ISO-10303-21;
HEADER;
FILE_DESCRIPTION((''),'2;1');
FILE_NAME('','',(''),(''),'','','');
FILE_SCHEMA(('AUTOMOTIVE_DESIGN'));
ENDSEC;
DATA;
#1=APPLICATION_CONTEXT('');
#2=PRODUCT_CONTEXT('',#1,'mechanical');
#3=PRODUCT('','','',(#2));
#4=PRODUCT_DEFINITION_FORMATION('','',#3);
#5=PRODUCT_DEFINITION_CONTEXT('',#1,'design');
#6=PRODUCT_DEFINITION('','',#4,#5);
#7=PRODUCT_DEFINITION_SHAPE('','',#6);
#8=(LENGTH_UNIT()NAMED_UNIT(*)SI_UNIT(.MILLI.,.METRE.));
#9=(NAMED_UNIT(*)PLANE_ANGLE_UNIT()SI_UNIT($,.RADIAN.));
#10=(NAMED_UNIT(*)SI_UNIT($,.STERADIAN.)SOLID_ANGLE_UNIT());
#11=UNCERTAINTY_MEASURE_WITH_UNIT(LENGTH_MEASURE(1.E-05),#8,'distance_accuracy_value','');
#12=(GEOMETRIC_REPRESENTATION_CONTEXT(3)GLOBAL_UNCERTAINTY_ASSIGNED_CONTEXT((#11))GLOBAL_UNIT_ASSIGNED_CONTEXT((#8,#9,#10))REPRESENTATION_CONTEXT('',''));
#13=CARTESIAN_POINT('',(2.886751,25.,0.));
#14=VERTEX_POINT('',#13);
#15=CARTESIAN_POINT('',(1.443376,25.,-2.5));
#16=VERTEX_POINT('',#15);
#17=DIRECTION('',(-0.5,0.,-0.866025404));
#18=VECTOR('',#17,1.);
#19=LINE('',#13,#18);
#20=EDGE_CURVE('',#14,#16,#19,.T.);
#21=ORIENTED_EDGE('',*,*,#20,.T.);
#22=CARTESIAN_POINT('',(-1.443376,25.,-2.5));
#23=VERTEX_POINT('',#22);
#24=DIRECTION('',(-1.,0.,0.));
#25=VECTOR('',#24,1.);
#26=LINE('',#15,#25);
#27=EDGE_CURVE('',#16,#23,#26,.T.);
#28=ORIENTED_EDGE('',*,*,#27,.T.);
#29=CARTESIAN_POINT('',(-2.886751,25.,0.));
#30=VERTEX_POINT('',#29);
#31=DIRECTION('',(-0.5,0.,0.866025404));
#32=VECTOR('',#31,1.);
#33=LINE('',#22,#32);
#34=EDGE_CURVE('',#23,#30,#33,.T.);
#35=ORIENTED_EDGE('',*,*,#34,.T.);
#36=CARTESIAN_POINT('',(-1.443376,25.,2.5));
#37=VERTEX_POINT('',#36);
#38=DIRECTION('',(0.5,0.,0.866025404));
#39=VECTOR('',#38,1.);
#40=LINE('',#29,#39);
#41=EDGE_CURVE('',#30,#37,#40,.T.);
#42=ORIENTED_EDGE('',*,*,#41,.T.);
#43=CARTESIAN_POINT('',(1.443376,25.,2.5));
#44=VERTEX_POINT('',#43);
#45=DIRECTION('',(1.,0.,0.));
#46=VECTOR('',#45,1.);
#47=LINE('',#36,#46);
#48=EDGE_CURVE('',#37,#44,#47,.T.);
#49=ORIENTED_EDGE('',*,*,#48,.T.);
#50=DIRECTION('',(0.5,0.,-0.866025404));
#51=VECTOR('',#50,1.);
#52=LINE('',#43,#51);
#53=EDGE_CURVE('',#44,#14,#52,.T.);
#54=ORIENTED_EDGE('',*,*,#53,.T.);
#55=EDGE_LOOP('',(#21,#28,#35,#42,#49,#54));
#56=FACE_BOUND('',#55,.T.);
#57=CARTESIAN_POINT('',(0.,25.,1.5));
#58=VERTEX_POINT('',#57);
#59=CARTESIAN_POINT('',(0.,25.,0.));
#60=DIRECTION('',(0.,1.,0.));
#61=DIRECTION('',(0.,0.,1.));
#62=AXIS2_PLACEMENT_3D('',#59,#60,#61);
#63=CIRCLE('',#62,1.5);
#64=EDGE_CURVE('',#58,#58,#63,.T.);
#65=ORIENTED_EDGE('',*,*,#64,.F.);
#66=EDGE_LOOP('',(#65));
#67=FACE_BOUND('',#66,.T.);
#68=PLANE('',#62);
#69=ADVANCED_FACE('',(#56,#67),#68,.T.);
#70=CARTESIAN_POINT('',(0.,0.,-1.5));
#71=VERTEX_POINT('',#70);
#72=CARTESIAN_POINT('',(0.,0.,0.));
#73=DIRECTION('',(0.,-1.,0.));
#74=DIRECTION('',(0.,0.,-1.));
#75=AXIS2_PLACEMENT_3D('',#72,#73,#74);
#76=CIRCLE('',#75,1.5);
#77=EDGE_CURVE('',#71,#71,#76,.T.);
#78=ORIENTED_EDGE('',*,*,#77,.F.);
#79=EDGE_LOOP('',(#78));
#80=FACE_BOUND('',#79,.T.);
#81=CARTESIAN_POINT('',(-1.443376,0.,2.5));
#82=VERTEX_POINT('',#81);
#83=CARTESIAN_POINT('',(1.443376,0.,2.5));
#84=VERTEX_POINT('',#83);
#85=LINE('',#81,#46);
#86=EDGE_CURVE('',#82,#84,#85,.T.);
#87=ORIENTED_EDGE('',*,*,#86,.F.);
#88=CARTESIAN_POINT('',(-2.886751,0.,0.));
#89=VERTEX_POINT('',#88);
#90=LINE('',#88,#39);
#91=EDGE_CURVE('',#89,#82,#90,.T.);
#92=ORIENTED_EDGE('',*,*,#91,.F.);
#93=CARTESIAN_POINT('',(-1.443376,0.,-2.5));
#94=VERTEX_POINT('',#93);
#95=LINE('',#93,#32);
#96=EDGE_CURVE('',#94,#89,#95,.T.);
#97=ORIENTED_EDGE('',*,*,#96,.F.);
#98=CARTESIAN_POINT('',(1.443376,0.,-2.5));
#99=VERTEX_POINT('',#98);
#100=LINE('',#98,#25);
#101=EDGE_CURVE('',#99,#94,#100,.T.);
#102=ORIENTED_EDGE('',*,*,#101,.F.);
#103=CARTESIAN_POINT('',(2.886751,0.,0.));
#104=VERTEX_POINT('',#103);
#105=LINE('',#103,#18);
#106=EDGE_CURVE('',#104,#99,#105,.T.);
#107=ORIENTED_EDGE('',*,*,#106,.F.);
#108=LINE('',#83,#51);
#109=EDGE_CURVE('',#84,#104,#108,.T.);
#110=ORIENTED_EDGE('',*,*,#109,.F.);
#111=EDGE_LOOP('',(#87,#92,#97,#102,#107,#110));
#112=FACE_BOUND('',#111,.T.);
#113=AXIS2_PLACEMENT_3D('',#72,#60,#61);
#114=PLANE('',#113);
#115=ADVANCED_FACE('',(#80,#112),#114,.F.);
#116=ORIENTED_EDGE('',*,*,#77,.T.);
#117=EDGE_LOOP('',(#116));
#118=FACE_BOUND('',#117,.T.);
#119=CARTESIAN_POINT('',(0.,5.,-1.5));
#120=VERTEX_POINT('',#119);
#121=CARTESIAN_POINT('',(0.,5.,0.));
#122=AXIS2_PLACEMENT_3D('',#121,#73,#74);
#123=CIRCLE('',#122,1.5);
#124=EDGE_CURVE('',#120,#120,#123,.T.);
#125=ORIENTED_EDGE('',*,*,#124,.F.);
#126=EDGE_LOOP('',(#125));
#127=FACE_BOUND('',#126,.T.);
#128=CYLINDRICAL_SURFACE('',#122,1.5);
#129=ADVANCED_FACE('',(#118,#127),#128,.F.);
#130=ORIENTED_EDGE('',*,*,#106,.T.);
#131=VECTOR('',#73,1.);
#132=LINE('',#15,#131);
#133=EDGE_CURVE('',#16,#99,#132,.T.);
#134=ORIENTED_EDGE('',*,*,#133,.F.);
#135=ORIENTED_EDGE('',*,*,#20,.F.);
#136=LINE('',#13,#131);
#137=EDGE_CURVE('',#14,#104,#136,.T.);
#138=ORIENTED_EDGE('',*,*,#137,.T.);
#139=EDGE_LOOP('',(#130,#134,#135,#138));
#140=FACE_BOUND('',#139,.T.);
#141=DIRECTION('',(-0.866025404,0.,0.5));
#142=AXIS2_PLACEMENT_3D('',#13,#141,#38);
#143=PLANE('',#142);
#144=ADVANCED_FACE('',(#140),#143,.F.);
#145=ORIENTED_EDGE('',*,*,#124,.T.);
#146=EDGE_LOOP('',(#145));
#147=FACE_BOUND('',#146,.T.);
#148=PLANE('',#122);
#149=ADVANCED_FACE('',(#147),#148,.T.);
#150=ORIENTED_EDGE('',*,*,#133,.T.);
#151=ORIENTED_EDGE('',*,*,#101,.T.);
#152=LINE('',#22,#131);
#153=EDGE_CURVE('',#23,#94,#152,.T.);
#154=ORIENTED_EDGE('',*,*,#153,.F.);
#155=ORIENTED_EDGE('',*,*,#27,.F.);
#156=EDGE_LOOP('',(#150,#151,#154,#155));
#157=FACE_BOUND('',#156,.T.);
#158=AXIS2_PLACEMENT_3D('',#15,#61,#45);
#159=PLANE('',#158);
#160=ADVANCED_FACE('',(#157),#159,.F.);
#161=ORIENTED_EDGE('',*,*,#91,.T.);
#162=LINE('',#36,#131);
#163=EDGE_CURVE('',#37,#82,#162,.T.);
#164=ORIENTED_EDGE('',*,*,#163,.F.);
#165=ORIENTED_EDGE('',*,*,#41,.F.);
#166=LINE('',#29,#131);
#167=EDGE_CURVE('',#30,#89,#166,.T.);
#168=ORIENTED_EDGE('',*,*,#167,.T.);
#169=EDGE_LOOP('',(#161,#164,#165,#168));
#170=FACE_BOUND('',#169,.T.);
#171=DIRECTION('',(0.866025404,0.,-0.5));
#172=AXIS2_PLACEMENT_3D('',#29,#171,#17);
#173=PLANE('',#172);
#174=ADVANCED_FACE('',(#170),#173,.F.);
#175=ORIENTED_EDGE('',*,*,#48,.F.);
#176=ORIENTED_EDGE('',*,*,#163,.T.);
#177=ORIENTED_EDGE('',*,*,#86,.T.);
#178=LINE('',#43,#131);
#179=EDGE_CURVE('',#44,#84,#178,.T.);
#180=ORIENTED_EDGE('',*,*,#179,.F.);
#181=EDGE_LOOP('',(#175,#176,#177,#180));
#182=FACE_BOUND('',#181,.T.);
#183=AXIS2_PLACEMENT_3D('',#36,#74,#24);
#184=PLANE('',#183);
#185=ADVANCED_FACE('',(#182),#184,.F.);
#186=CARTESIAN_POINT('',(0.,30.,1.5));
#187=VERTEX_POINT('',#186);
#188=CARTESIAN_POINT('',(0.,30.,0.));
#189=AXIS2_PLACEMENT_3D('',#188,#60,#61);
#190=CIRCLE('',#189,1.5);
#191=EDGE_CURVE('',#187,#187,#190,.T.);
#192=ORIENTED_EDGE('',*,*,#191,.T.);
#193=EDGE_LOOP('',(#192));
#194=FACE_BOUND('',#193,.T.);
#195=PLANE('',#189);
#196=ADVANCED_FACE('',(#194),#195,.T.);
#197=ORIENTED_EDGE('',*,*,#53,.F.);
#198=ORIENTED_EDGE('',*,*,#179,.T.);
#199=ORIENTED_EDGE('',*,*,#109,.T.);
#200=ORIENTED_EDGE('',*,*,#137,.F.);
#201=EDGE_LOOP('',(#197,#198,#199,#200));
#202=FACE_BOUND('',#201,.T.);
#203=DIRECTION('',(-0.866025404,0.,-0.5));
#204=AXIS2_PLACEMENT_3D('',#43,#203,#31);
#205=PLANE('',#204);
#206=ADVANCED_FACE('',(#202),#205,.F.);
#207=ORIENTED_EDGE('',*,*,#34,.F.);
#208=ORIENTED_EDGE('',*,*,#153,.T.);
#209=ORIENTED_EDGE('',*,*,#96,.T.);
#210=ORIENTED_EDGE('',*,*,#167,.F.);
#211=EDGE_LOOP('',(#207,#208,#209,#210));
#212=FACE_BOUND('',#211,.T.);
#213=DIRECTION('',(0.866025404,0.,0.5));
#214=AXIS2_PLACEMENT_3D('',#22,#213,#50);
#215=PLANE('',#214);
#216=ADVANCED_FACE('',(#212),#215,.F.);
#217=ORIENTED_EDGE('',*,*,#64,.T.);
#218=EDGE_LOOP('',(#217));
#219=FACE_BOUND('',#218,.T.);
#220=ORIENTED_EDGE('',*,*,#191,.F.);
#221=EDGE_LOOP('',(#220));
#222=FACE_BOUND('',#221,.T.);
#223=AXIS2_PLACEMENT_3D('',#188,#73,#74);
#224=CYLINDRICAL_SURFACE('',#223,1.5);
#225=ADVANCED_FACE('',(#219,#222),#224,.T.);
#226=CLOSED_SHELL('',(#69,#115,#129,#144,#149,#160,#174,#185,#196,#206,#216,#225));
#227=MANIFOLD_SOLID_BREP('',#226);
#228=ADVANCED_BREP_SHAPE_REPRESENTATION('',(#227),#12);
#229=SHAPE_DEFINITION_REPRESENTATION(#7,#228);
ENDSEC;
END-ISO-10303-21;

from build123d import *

# Parameters (mm, degrees)
EXTRUDE_1_DEPTH     = 25
SKETCH_2_R          = 1.5
EXTRUDE_2_DEPTH     = 5
SKETCH_3_R          = 1.5
CUT_EXTRUDE_1_DEPTH = 5


with BuildPart() as part:
    # 草圖1 → 填料-伸長1 (new body)
    with BuildSketch(Plane(origin=(0, 0, 0), x_dir=(1, 0, 0), z_dir=(0, 1, 0))):
        Polygon((2.886751346, 0), (1.443375673, 2.5), (-1.443375673, 2.5), (-2.886751346, 0), (-1.443375673, -2.5), (1.443375673, -2.5), align=None)
    extrude(amount=EXTRUDE_1_DEPTH)

    # 草圖2 → 填料-伸長2 (add)
    with BuildSketch(Plane(origin=(0, 25, 0), x_dir=(1, 0, 0), z_dir=(0, 1, 0))):
        Circle(SKETCH_2_R)
    extrude(amount=EXTRUDE_2_DEPTH)

    # 草圖3 → 除料-伸長1 (cut)
    with BuildSketch(Plane.XZ):
        Circle(SKETCH_3_R)
    extrude(amount=-CUT_EXTRUDE_1_DEPTH, mode=Mode.SUBTRACT)


solid = part.part
